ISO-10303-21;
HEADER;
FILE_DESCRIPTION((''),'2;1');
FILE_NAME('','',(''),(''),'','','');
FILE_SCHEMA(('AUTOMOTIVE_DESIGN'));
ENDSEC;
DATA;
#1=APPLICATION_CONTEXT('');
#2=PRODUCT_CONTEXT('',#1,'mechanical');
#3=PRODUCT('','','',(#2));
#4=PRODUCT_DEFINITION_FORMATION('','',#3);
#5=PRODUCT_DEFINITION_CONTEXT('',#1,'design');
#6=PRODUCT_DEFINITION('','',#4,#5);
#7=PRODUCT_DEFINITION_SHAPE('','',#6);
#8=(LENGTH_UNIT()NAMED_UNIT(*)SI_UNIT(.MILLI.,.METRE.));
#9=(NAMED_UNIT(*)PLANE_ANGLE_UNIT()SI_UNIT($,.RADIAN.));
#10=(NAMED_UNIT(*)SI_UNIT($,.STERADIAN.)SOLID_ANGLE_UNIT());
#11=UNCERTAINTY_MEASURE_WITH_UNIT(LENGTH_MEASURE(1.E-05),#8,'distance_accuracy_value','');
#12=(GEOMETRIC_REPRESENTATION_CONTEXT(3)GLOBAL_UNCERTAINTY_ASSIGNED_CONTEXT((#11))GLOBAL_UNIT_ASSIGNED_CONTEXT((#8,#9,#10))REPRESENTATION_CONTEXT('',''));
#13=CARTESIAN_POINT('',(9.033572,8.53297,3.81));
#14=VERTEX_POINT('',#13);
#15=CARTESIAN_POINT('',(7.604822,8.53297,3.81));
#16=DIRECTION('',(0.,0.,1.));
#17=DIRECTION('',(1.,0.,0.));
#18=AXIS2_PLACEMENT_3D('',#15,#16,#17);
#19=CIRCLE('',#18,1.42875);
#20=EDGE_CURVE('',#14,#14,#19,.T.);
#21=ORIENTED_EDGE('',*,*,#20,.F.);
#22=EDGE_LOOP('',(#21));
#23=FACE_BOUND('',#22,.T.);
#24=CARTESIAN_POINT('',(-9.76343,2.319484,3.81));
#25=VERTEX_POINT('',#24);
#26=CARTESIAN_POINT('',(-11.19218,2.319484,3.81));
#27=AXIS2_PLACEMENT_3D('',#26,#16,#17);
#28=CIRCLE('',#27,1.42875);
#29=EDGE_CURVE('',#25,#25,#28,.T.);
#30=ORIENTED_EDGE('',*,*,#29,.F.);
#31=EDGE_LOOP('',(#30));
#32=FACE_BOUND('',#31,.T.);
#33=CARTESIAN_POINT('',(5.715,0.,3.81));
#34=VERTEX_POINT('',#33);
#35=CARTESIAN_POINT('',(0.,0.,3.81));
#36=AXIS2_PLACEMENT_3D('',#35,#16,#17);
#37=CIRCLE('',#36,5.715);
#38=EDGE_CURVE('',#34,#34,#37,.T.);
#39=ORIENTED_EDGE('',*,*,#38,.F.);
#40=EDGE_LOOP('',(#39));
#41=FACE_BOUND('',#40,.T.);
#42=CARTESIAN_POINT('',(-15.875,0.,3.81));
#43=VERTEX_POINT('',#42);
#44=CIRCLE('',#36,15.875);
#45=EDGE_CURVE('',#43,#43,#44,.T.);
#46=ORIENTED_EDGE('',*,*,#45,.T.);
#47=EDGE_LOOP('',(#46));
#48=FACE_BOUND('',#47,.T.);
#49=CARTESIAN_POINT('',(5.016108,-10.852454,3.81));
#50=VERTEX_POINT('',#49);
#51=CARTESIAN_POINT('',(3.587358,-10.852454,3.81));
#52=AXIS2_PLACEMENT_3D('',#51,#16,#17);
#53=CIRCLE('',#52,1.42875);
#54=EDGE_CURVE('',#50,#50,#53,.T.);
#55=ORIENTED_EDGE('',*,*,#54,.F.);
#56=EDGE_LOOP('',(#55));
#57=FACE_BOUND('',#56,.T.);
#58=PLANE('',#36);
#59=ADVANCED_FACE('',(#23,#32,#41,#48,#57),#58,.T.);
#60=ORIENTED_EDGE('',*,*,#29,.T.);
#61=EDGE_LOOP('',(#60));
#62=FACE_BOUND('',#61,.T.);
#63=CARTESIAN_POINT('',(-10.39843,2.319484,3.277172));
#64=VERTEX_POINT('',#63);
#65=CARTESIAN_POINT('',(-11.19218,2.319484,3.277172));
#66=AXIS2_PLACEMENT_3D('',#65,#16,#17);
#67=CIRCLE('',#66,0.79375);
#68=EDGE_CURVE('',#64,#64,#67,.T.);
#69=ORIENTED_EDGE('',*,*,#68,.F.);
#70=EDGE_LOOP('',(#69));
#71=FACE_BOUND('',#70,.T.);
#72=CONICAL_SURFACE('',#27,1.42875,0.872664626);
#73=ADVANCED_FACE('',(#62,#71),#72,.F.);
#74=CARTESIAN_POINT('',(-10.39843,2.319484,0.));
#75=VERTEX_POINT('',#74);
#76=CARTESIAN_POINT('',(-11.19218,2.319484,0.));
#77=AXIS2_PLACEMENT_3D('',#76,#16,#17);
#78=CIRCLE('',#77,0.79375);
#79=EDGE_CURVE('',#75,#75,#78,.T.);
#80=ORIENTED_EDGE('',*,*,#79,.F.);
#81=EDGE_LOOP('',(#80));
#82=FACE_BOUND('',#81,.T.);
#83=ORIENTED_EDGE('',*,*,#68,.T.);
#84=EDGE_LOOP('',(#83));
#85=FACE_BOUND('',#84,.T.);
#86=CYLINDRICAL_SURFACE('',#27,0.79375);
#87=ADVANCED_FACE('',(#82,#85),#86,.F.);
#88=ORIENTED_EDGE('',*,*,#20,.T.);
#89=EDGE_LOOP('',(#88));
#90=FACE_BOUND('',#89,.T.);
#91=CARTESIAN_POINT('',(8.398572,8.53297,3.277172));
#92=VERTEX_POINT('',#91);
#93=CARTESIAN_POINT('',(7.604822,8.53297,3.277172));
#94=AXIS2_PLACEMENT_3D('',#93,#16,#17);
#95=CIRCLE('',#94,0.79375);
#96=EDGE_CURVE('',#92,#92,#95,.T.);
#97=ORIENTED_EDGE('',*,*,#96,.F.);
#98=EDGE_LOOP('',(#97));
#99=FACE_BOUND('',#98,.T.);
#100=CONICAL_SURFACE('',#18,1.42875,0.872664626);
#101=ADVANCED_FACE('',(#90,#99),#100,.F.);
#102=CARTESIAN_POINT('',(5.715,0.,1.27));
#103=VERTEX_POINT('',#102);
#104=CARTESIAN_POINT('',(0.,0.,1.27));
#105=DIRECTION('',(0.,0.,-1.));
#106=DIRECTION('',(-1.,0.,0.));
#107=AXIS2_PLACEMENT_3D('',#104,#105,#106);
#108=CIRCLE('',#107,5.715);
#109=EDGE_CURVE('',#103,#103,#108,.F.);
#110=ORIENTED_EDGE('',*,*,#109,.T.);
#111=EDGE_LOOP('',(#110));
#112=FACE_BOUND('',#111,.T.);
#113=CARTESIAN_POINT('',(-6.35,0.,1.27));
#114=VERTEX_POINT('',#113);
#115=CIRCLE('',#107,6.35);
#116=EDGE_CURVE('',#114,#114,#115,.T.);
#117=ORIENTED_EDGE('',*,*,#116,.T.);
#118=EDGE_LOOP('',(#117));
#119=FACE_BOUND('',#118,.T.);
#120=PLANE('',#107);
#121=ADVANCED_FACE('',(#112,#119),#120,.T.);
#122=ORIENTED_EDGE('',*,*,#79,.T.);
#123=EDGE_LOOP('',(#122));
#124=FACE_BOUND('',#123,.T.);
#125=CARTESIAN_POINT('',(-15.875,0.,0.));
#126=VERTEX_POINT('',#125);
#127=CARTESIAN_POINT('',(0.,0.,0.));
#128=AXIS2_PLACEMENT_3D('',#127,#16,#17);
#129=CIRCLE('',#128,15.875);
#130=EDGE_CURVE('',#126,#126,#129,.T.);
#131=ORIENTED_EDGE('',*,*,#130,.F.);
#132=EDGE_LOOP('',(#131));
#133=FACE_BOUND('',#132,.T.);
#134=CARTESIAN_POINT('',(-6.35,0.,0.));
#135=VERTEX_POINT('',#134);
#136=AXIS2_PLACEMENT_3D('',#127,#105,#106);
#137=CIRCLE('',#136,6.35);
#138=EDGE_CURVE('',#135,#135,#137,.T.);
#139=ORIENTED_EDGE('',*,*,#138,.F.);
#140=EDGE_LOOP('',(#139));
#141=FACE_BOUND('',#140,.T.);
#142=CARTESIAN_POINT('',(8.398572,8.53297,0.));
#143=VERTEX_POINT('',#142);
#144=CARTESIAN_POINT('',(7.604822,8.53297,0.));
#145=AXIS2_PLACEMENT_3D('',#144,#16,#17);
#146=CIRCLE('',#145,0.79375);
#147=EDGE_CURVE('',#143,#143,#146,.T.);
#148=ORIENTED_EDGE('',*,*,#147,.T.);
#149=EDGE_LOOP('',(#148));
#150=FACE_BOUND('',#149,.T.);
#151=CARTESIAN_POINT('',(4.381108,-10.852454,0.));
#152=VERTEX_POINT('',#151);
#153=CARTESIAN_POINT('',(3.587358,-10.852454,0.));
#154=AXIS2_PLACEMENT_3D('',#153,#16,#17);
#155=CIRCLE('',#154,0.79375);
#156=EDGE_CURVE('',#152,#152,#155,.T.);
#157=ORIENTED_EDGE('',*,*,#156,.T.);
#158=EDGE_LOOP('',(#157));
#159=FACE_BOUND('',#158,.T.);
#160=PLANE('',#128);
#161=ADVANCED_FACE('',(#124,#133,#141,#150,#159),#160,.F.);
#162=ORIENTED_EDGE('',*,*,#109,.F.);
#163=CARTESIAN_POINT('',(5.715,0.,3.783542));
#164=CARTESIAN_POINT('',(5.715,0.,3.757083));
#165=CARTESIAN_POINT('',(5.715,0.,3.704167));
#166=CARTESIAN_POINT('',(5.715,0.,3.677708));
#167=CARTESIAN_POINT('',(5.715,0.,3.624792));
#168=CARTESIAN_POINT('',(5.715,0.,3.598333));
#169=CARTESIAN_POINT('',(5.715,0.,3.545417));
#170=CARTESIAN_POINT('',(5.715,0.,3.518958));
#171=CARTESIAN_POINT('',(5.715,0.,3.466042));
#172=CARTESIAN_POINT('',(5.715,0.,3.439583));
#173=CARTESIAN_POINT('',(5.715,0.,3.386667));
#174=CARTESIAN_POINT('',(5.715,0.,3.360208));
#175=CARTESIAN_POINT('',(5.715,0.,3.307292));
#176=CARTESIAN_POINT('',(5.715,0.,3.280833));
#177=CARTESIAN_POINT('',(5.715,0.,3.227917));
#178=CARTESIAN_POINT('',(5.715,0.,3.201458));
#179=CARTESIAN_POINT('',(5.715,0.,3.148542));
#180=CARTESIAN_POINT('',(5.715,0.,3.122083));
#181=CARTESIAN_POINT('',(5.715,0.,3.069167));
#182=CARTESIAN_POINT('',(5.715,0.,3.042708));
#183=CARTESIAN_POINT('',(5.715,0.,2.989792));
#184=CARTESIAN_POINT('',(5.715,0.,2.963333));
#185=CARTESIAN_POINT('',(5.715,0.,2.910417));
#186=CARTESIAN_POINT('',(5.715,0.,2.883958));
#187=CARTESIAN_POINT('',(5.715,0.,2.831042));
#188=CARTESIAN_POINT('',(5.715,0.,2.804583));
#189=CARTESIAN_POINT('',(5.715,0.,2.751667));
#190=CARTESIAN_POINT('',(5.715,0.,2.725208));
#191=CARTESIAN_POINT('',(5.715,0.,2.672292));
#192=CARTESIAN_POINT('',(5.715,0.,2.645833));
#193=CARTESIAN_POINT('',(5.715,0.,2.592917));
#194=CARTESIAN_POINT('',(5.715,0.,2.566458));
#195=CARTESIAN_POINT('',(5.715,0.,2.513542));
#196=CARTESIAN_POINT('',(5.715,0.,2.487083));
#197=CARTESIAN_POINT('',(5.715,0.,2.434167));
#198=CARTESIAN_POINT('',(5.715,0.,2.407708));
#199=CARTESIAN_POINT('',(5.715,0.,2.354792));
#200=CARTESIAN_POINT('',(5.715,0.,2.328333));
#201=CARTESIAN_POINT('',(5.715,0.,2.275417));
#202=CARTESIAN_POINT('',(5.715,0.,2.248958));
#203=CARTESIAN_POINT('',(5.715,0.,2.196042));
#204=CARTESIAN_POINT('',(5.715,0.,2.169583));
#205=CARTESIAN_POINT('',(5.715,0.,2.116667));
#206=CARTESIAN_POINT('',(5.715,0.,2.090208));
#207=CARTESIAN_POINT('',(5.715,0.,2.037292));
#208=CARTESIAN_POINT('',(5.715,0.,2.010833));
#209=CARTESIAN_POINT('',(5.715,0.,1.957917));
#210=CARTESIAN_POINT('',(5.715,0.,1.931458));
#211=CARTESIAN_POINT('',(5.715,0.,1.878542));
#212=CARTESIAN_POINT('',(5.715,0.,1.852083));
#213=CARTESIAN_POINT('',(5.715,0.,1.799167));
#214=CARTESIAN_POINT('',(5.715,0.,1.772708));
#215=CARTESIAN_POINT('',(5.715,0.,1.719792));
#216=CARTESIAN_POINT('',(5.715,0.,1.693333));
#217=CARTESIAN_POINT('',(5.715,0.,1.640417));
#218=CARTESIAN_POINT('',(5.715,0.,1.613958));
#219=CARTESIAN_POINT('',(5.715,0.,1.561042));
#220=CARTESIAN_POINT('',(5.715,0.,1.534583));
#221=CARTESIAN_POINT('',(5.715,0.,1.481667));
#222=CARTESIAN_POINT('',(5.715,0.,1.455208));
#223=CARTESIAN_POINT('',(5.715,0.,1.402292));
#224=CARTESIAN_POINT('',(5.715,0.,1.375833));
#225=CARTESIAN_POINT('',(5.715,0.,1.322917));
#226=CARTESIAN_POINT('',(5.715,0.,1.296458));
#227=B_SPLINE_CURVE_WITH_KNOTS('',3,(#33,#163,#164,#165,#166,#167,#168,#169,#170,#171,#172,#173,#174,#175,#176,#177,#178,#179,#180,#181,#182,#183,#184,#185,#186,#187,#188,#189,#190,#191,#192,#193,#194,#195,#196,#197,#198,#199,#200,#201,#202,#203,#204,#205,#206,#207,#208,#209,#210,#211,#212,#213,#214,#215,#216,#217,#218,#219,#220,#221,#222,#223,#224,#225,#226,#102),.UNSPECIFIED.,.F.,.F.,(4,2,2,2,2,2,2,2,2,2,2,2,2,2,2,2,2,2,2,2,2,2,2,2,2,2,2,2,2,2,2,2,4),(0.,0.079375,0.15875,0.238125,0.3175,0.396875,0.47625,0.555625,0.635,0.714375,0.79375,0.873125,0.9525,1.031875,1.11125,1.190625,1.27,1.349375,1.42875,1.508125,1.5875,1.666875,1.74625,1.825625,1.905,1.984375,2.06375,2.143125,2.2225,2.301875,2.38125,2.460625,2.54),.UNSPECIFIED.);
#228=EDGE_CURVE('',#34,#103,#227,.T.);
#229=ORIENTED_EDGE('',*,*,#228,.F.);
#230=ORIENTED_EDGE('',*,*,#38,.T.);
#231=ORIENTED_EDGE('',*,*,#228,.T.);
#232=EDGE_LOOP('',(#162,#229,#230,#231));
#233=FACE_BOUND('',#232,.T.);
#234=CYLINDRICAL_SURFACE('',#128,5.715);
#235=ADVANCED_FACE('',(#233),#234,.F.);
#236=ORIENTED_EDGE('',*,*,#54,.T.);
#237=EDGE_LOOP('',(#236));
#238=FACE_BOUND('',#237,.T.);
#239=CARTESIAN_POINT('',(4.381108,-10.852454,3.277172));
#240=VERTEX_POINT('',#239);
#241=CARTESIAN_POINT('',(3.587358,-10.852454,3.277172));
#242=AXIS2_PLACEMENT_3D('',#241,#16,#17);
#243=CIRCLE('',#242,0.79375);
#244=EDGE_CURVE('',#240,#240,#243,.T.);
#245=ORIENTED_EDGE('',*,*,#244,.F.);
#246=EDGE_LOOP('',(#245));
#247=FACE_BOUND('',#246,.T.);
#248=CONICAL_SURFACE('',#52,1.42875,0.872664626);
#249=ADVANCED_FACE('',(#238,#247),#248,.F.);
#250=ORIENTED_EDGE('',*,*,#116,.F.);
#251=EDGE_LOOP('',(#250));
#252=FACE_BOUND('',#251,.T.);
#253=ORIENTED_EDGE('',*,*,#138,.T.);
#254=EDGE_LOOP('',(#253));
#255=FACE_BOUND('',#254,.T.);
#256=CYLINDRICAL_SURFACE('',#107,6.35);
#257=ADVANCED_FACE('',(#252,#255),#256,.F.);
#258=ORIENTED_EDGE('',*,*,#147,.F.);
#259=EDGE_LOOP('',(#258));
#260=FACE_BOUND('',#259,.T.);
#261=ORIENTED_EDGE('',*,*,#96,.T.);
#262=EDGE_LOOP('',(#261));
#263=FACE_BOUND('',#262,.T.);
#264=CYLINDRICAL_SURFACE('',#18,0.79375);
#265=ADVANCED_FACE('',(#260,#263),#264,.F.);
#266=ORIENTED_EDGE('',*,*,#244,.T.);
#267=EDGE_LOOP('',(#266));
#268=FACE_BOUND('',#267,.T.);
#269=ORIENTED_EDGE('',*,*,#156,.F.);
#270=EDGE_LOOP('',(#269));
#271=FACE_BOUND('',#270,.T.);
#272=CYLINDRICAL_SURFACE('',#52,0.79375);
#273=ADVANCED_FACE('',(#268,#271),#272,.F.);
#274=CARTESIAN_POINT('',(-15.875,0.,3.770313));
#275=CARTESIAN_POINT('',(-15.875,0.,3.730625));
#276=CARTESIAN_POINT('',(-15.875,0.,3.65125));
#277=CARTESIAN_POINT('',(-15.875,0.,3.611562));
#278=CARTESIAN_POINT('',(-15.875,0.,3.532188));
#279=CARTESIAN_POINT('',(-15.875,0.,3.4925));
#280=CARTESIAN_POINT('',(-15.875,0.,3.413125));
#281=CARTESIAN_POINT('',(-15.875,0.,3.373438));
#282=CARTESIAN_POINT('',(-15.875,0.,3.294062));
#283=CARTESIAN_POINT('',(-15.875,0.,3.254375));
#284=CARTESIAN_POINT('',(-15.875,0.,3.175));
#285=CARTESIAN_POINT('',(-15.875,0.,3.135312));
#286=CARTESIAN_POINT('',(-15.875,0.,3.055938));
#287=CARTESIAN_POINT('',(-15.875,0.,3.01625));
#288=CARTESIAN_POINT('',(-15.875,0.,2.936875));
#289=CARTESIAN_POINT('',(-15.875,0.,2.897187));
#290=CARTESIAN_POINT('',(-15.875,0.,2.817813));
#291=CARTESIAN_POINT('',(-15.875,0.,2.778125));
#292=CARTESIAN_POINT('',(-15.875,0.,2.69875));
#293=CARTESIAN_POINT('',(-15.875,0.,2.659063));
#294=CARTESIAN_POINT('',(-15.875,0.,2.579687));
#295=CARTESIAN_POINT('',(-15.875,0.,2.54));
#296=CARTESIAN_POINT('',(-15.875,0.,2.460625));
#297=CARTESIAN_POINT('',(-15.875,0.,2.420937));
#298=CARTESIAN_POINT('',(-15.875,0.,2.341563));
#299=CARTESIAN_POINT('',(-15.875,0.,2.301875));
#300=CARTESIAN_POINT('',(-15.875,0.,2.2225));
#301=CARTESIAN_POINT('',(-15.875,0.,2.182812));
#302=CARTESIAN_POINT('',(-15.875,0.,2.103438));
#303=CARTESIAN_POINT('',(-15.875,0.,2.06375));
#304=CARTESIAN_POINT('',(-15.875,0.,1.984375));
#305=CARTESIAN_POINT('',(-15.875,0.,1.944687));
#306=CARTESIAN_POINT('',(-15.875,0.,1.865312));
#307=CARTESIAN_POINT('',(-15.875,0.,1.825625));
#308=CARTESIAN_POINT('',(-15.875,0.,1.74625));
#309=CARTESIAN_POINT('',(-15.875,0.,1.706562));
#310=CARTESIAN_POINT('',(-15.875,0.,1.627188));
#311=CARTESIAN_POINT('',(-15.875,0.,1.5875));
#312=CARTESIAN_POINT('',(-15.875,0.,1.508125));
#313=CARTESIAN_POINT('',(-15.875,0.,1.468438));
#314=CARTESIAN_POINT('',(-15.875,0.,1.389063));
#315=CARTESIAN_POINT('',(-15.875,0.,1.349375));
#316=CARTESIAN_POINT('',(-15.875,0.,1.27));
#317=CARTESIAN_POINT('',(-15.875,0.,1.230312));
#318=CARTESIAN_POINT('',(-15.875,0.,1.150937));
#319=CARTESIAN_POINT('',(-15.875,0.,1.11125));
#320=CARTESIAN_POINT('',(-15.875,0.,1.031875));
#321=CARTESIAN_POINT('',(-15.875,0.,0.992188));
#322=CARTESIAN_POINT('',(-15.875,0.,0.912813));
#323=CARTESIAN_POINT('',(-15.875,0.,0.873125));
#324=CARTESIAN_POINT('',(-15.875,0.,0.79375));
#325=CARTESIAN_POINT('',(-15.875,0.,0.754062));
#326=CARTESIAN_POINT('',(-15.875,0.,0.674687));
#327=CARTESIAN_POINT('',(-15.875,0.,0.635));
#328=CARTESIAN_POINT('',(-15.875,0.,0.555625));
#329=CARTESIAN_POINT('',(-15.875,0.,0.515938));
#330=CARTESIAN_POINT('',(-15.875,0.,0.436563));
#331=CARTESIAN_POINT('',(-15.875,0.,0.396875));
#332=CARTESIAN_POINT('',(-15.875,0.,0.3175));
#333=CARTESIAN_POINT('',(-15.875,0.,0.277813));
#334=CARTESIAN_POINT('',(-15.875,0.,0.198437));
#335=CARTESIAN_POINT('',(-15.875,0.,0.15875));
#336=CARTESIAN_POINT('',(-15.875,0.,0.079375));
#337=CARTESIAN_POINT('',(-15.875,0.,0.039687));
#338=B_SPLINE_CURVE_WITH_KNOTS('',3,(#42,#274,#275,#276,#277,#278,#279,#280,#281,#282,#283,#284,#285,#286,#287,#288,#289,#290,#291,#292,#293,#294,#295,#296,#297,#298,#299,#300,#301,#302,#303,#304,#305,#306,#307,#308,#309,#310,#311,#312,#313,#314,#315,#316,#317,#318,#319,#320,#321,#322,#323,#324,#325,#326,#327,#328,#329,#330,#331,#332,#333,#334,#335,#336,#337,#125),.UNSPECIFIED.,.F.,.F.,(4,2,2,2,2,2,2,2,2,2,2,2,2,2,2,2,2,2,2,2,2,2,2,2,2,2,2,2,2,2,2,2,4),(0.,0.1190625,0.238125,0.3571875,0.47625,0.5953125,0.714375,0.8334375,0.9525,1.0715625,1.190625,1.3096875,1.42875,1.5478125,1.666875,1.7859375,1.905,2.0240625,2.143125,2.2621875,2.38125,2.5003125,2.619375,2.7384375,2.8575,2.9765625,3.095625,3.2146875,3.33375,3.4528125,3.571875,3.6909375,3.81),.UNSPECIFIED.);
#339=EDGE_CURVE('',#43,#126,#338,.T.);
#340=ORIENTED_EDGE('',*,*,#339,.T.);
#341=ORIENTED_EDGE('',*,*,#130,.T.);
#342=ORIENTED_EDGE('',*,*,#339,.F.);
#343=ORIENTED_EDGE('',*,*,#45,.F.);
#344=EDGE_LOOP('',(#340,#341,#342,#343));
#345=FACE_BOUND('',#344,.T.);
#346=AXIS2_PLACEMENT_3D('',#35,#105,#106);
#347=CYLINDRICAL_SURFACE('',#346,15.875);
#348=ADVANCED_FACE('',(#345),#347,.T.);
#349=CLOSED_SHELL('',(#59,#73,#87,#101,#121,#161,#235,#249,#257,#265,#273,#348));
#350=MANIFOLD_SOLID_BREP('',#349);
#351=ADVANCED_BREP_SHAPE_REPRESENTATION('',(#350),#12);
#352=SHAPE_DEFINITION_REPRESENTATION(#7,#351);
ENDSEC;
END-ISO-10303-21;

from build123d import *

# Parameters (mm, degrees)
SKETCH1_R                                = 15.875
BOSS_EXTRUDE1_DEPTH                      = 3.81
SKETCH2_R                                = 5.715
CUT_EXTRUDE1_DEPTH                       = 23.771634768
SKETCH3_R                                = 6.35
CUT_EXTRUDE3_DEPTH                       = 1.27
F_1_16_0_0625_DIAMETER_HOLE1_D           = 1.5875
F_1_16_0_0625_DIAMETER_HOLE1_CSINK_D     = 2.8575
F_1_16_0_0625_DIAMETER_HOLE1_CSINK_ANGLE = 100
CIRPATTERN1_COUNT                        = 3


with BuildPart() as part:
    # Sketch1 → Boss-Extrude1 (new body)
    with BuildSketch(Plane.XY):
        with Locations(Location((0, 0, 0), (0, 0, 180))):
            Circle(SKETCH1_R)
    extrude(amount=BOSS_EXTRUDE1_DEPTH)

    # Sketch2 → Cut-Extrude1 (cut, through all)
    with BuildSketch(Plane.XY.offset(3.81)):
        Circle(SKETCH2_R)
    extrude(amount=-CUT_EXTRUDE1_DEPTH, mode=Mode.SUBTRACT)

    # Sketch3 → Cut-Extrude3 (cut)
    with BuildSketch(Plane(origin=(0, 0, 0), x_dir=(-1, 0, 0), z_dir=(0, 0, -1))):
        Circle(SKETCH3_R)
    extrude(amount=-CUT_EXTRUDE3_DEPTH, mode=Mode.SUBTRACT)

    # 1/16 (0.0625) Diameter Hole1 (through all)
    with Locations(Plane.XY.offset(3.81)):
        with Locations((7.60482237, 8.532969982)):
            f_1_16_0_0625_diameter_hole1 = CounterSinkHole(F_1_16_0_0625_DIAMETER_HOLE1_D / 2, F_1_16_0_0625_DIAMETER_HOLE1_CSINK_D / 2, counter_sink_angle=F_1_16_0_0625_DIAMETER_HOLE1_CSINK_ANGLE)

    # CirPattern1: 1/16 (0.0625) Diameter Hole1 ×3 about axis
    cirpattern1_axis = Axis((0, 0, 0), (0, 0, 1))
    for i in range(1, CIRPATTERN1_COUNT):
        add(f_1_16_0_0625_diameter_hole1.rotate(cirpattern1_axis, i * 360 / CIRPATTERN1_COUNT), mode=Mode.SUBTRACT)


solid = part.part
